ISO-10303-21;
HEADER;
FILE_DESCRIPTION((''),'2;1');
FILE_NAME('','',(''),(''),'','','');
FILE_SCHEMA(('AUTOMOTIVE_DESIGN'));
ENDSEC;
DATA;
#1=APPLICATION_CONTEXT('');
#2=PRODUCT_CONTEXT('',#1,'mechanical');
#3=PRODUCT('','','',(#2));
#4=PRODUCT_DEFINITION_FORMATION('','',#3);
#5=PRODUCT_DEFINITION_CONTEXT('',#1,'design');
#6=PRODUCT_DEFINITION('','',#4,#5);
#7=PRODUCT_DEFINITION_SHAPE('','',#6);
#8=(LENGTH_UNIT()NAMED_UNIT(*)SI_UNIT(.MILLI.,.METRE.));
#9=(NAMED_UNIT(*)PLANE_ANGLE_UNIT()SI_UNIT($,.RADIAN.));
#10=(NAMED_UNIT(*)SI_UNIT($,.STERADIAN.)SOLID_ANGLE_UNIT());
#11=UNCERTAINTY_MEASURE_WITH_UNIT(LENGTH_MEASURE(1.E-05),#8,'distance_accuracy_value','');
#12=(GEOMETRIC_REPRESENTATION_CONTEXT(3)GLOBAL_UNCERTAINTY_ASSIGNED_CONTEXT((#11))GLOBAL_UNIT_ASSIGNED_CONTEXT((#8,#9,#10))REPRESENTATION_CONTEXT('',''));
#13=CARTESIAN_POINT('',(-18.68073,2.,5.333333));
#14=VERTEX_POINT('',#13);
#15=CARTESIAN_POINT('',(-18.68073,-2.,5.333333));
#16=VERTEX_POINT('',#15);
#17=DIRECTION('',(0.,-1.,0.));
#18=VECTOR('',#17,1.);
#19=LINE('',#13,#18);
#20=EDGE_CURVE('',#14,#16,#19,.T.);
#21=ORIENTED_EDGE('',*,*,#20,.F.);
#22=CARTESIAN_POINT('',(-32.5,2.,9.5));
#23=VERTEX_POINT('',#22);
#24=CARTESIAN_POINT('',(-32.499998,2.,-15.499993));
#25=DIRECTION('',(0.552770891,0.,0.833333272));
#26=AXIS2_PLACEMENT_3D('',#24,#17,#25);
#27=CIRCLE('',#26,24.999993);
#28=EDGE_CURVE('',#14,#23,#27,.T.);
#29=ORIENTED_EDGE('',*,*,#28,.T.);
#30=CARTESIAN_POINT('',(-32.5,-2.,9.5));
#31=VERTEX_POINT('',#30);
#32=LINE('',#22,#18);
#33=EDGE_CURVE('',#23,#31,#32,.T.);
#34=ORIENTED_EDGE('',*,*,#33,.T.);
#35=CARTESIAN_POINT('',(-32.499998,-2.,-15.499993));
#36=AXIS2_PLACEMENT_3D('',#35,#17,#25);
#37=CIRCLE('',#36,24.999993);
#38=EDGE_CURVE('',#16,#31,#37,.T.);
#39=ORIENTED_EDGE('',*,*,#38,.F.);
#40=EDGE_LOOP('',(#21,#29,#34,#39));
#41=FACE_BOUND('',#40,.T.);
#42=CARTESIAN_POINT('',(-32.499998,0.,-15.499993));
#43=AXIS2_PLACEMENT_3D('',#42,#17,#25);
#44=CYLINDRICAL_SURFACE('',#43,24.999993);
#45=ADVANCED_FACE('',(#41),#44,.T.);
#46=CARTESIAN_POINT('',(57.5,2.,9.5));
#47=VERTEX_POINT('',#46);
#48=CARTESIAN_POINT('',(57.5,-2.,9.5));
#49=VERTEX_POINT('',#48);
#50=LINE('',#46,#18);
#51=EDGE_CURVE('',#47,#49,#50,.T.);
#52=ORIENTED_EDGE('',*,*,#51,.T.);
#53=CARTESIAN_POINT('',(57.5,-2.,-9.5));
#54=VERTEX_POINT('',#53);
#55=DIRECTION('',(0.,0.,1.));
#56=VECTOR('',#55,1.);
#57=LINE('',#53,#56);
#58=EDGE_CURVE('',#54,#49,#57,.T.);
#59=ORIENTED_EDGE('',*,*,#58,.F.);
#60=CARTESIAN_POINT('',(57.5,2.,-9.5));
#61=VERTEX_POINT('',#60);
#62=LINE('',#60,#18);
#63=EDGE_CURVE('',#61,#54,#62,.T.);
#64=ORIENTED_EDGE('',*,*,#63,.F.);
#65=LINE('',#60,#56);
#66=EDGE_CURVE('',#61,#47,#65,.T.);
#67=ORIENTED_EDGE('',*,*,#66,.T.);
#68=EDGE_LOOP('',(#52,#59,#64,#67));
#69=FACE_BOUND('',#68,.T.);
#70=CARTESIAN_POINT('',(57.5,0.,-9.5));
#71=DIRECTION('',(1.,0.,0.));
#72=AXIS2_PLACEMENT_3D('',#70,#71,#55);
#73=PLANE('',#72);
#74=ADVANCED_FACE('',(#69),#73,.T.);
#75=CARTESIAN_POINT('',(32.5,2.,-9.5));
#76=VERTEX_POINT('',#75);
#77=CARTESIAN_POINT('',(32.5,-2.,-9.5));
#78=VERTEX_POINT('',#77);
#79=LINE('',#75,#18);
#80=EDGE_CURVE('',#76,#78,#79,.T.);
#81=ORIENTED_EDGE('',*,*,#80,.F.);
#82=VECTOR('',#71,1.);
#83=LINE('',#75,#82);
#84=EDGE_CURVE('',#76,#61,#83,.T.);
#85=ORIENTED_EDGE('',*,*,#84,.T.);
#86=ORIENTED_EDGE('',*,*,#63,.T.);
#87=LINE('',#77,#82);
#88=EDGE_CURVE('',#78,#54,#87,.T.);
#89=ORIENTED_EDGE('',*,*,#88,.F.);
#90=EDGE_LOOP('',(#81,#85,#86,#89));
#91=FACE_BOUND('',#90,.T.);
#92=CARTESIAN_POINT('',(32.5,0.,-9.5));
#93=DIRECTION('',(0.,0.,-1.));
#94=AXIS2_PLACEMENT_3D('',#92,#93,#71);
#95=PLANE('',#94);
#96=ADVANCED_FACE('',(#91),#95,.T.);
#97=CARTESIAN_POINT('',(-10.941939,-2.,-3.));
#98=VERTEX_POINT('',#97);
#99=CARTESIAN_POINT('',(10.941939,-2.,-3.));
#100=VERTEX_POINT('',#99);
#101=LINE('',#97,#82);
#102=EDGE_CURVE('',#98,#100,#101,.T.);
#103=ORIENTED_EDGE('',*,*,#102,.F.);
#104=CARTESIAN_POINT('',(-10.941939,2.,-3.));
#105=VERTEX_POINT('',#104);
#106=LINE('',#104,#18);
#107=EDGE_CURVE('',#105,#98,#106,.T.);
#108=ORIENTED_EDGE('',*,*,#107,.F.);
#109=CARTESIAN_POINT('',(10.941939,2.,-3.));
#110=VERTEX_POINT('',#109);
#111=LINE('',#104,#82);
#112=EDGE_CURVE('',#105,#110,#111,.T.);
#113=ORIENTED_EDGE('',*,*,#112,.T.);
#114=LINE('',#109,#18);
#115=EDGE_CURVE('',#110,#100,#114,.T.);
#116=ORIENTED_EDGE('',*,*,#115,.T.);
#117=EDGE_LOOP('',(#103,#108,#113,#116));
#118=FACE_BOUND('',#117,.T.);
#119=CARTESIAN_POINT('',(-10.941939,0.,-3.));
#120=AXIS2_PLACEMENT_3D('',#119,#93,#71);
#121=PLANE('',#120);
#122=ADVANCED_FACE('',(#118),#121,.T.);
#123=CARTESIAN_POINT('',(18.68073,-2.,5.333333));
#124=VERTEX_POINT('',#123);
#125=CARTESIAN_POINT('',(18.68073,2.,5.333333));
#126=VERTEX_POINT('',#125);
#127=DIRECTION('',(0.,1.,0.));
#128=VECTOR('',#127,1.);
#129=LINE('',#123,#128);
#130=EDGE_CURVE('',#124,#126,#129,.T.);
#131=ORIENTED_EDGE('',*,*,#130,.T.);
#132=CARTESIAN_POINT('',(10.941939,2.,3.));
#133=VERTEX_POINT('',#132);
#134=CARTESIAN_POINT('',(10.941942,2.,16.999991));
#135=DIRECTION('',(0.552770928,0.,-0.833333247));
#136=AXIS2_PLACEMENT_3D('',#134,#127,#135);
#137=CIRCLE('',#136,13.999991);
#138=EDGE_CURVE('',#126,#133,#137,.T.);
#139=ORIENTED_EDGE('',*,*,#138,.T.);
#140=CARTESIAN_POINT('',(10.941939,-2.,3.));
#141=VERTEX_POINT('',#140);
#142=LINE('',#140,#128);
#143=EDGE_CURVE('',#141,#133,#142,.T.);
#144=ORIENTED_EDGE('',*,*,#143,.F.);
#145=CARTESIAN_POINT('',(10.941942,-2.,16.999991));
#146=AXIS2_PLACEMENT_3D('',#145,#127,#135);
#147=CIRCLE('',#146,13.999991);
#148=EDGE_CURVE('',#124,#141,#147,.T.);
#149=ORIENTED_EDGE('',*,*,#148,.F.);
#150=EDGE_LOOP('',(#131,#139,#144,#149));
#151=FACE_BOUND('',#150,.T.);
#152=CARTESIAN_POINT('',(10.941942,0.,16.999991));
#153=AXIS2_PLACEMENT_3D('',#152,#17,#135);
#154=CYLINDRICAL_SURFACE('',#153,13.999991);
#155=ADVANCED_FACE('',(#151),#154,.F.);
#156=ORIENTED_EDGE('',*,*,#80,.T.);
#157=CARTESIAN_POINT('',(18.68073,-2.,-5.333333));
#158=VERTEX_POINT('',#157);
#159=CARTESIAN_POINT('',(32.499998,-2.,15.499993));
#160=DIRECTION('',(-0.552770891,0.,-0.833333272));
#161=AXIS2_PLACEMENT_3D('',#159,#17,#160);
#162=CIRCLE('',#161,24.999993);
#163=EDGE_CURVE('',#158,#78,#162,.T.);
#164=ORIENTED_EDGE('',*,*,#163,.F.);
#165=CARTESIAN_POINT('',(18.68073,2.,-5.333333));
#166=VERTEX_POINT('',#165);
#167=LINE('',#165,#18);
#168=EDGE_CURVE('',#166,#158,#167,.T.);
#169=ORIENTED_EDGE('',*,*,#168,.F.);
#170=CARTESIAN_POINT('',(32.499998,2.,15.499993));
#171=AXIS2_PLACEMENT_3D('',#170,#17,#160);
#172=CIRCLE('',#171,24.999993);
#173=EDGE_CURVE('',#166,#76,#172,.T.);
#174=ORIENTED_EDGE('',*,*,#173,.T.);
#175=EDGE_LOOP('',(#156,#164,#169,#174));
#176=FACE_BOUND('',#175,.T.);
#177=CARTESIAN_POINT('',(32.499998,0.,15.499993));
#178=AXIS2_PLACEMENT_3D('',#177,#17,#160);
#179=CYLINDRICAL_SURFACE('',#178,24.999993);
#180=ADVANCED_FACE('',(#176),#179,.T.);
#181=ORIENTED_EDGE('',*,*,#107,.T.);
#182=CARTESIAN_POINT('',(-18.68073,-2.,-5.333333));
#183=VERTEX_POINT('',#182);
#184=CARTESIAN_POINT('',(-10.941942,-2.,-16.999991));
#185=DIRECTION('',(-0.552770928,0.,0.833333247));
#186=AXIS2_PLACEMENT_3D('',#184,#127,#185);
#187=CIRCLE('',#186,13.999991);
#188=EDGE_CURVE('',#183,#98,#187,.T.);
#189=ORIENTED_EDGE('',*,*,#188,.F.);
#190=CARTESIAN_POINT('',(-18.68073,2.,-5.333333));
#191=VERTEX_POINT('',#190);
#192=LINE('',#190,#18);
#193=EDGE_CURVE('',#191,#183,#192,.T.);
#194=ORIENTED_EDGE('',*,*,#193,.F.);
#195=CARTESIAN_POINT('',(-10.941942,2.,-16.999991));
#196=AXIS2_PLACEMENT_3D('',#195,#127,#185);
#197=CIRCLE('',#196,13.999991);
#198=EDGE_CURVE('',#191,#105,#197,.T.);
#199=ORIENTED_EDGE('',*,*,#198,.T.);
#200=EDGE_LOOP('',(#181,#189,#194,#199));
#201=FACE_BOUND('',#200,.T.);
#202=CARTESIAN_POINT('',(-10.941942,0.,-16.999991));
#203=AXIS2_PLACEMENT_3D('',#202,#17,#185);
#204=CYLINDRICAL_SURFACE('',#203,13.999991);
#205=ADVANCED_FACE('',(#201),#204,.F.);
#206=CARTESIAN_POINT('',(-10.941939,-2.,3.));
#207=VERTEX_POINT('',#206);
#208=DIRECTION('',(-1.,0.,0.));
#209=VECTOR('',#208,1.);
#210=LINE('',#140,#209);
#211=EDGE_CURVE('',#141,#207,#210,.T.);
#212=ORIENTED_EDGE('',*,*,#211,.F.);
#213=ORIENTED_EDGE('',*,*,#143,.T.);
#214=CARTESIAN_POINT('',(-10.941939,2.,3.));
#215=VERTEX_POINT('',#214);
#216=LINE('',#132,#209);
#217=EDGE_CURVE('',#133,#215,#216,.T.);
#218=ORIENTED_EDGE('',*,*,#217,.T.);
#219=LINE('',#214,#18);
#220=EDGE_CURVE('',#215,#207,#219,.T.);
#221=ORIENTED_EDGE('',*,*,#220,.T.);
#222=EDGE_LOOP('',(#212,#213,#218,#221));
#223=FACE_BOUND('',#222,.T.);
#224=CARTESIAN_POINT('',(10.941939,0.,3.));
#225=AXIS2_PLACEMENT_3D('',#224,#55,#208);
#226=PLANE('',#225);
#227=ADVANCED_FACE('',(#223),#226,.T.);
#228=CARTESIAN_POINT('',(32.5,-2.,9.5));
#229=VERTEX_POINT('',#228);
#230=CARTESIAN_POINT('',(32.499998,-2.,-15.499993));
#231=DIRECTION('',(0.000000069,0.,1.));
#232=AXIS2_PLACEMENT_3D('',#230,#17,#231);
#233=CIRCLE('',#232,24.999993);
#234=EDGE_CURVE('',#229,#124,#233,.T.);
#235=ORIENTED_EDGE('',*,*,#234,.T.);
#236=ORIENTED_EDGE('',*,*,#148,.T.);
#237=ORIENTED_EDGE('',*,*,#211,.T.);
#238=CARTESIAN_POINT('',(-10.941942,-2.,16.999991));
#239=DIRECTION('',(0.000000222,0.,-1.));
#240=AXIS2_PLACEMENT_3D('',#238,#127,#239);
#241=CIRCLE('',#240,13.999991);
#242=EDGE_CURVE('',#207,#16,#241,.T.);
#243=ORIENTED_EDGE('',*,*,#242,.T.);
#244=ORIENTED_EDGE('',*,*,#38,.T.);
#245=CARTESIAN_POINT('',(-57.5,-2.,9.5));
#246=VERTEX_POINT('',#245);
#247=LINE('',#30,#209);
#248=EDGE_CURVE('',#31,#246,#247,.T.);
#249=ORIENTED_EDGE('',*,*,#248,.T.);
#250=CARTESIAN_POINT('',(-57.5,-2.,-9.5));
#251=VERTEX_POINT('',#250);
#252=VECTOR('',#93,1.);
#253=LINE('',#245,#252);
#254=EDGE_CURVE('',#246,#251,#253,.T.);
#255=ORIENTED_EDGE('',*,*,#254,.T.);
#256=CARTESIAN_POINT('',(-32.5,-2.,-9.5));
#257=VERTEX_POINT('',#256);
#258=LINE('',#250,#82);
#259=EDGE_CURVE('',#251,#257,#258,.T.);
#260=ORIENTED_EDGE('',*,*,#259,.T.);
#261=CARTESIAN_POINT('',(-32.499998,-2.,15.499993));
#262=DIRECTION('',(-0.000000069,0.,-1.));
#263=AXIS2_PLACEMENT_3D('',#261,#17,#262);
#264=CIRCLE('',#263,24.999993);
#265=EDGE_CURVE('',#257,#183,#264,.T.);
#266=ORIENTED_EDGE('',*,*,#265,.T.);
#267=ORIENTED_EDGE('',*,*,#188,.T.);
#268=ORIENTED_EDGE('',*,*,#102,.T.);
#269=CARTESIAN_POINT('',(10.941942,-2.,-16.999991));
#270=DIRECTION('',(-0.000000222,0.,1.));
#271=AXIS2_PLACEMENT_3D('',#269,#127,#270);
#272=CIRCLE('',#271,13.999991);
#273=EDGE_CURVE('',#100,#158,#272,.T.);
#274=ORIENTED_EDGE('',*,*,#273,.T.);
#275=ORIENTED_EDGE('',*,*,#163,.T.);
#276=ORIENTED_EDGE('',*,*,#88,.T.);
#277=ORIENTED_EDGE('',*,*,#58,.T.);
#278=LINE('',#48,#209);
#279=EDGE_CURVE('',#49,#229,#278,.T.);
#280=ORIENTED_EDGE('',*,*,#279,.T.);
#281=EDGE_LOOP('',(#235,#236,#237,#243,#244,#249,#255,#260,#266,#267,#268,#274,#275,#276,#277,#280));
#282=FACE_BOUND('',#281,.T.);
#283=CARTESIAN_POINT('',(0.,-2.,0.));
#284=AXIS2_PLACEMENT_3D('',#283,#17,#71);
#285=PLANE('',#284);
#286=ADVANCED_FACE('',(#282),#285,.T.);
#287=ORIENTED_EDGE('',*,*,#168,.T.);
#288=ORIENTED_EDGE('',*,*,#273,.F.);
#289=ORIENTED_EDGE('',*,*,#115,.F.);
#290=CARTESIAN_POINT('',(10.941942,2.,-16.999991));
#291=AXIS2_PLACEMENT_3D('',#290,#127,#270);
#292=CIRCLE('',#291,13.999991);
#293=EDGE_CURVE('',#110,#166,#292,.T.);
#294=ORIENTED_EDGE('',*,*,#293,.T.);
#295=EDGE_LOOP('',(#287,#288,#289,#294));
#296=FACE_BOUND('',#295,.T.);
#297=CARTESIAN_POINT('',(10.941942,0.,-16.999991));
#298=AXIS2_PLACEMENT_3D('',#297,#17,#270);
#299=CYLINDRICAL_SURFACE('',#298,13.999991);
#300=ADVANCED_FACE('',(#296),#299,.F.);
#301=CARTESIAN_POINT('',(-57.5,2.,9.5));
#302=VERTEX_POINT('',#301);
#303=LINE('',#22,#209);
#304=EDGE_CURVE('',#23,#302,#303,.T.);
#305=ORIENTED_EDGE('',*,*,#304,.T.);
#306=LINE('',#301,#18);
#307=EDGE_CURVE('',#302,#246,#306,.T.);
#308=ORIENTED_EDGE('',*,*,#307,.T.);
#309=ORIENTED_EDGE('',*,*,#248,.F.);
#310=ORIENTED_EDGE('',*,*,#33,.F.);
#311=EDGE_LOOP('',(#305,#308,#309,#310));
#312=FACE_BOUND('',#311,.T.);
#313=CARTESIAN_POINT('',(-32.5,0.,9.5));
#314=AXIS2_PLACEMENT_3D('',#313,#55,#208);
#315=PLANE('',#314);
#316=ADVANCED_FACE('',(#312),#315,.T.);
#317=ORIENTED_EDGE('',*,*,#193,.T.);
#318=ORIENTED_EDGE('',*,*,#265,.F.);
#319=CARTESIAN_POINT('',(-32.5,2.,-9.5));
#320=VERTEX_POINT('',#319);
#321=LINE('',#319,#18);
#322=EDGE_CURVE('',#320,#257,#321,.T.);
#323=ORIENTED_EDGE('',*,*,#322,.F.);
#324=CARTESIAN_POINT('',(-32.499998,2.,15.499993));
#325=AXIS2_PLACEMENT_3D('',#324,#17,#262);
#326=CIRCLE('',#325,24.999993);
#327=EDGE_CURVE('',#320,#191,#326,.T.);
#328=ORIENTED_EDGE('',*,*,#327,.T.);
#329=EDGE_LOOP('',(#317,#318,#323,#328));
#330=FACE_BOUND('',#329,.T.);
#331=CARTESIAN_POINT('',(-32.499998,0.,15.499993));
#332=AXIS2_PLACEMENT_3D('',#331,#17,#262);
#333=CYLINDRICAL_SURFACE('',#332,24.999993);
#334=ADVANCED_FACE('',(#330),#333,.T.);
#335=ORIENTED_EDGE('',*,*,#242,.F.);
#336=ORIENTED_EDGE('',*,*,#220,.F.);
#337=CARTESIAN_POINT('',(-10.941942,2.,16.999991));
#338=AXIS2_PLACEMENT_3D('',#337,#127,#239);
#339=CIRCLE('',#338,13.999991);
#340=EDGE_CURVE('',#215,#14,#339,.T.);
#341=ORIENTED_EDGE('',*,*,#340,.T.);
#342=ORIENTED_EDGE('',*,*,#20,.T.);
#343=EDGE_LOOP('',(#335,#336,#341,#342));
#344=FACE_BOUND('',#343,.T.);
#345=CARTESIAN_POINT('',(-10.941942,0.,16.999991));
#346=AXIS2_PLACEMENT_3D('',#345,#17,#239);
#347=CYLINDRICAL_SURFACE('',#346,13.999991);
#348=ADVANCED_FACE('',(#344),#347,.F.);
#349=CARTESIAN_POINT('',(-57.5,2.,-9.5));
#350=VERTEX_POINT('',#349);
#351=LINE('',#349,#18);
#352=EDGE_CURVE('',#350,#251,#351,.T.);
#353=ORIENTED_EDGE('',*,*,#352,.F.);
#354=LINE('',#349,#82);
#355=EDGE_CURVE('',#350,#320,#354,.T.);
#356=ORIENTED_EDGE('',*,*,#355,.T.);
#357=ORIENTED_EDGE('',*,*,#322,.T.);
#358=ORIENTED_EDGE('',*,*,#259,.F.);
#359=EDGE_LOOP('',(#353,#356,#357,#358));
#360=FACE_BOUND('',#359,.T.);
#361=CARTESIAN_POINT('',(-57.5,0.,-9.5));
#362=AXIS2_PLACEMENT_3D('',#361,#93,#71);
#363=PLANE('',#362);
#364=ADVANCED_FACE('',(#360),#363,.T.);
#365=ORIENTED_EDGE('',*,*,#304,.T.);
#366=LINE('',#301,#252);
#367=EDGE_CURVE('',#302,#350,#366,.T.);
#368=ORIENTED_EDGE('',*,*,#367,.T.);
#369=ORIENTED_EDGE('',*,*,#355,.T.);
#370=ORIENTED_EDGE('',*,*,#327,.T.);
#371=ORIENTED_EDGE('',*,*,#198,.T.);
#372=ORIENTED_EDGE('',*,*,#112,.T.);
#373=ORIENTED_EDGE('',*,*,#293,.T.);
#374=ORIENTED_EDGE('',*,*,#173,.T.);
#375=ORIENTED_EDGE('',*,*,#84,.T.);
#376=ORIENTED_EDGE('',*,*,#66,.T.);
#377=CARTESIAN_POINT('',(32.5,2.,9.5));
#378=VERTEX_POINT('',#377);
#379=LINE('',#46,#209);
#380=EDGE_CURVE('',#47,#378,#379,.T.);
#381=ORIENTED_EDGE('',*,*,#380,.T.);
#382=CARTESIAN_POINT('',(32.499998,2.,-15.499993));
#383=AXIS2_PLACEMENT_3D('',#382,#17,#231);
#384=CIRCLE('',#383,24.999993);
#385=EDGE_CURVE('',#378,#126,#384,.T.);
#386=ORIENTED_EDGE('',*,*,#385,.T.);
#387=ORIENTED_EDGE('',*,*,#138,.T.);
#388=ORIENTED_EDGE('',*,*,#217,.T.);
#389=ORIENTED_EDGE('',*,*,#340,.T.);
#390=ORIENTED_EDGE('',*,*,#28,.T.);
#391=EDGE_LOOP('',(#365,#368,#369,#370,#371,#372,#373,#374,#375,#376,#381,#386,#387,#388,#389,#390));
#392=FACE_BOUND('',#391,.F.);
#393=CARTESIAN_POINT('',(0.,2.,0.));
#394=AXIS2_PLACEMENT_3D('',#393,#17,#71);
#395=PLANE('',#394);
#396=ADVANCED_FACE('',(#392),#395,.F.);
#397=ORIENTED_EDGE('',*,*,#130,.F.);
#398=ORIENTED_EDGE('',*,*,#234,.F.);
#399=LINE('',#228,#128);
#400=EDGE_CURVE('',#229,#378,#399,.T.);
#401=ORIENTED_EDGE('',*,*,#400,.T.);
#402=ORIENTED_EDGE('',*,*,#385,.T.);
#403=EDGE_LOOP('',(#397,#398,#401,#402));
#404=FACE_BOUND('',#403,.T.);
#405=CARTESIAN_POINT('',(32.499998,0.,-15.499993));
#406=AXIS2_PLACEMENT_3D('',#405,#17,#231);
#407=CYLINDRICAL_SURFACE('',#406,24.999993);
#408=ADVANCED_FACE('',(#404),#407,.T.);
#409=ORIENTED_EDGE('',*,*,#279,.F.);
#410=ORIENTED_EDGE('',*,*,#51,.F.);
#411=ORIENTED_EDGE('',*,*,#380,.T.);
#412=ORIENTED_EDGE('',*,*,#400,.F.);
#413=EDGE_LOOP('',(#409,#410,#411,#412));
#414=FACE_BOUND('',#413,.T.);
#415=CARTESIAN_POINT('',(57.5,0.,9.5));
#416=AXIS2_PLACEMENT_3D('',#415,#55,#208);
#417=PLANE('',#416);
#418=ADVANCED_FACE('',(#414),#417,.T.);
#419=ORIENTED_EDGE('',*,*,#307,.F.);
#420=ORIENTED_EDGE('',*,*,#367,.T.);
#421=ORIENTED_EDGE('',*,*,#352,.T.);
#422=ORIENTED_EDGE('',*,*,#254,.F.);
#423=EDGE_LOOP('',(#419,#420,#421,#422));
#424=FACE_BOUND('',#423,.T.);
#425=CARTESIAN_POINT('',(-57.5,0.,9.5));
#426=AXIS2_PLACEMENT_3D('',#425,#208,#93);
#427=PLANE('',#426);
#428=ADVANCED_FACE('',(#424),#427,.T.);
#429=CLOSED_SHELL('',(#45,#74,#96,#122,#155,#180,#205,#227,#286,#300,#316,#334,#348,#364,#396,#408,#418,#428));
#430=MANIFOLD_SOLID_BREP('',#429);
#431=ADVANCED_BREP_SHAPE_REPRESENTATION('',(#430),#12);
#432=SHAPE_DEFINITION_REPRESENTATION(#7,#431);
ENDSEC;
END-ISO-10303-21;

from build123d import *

# Parameters (mm, degrees)
F1_DEPTH = 2


with BuildPart() as f1:
    # F0 (on Front) → F1 (new body, symmetric)
    with BuildSketch(Plane.XZ):
        with BuildLine():
            Line((10.941939, 3), (0, 3))
            Line((0, 3), (-10.941939, 3))
            ThreePointArc((-10.941939, 3), (-14.983391, 3.59602), (-18.68073, 5.333333))
            ThreePointArc((-18.68073, 5.333333), (-25.283122, 8.435678), (-32.5, 9.5))
            Line((-32.5, 9.5), (-57.5, 9.5))
            Line((-57.5, 9.5), (-57.5, -9.5))
            Line((-57.5, -9.5), (-32.5, -9.5))
            ThreePointArc((-32.5, -9.5), (-25.283122, -8.435678), (-18.68073, -5.333333))
            ThreePointArc((-18.68073, -5.333333), (-14.983391, -3.59602), (-10.941939, -3))
            Line((-10.941939, -3), (0, -3))
            Line((0, -3), (10.941939, -3))
            ThreePointArc((10.941939, -3), (14.983391, -3.59602), (18.68073, -5.333333))
            ThreePointArc((18.68073, -5.333333), (25.283122, -8.435678), (32.5, -9.5))
            Line((32.5, -9.5), (57.5, -9.5))
            Line((57.5, -9.5), (57.5, 9.5))
            Line((57.5, 9.5), (32.5, 9.5))
            ThreePointArc((32.5, 9.5), (25.283122, 8.435678), (18.68073, 5.333333))
            ThreePointArc((18.68073, 5.333333), (14.983391, 3.59602), (10.941939, 3))
        make_face()
    extrude(amount=F1_DEPTH, both=True)


solid = f1.part
